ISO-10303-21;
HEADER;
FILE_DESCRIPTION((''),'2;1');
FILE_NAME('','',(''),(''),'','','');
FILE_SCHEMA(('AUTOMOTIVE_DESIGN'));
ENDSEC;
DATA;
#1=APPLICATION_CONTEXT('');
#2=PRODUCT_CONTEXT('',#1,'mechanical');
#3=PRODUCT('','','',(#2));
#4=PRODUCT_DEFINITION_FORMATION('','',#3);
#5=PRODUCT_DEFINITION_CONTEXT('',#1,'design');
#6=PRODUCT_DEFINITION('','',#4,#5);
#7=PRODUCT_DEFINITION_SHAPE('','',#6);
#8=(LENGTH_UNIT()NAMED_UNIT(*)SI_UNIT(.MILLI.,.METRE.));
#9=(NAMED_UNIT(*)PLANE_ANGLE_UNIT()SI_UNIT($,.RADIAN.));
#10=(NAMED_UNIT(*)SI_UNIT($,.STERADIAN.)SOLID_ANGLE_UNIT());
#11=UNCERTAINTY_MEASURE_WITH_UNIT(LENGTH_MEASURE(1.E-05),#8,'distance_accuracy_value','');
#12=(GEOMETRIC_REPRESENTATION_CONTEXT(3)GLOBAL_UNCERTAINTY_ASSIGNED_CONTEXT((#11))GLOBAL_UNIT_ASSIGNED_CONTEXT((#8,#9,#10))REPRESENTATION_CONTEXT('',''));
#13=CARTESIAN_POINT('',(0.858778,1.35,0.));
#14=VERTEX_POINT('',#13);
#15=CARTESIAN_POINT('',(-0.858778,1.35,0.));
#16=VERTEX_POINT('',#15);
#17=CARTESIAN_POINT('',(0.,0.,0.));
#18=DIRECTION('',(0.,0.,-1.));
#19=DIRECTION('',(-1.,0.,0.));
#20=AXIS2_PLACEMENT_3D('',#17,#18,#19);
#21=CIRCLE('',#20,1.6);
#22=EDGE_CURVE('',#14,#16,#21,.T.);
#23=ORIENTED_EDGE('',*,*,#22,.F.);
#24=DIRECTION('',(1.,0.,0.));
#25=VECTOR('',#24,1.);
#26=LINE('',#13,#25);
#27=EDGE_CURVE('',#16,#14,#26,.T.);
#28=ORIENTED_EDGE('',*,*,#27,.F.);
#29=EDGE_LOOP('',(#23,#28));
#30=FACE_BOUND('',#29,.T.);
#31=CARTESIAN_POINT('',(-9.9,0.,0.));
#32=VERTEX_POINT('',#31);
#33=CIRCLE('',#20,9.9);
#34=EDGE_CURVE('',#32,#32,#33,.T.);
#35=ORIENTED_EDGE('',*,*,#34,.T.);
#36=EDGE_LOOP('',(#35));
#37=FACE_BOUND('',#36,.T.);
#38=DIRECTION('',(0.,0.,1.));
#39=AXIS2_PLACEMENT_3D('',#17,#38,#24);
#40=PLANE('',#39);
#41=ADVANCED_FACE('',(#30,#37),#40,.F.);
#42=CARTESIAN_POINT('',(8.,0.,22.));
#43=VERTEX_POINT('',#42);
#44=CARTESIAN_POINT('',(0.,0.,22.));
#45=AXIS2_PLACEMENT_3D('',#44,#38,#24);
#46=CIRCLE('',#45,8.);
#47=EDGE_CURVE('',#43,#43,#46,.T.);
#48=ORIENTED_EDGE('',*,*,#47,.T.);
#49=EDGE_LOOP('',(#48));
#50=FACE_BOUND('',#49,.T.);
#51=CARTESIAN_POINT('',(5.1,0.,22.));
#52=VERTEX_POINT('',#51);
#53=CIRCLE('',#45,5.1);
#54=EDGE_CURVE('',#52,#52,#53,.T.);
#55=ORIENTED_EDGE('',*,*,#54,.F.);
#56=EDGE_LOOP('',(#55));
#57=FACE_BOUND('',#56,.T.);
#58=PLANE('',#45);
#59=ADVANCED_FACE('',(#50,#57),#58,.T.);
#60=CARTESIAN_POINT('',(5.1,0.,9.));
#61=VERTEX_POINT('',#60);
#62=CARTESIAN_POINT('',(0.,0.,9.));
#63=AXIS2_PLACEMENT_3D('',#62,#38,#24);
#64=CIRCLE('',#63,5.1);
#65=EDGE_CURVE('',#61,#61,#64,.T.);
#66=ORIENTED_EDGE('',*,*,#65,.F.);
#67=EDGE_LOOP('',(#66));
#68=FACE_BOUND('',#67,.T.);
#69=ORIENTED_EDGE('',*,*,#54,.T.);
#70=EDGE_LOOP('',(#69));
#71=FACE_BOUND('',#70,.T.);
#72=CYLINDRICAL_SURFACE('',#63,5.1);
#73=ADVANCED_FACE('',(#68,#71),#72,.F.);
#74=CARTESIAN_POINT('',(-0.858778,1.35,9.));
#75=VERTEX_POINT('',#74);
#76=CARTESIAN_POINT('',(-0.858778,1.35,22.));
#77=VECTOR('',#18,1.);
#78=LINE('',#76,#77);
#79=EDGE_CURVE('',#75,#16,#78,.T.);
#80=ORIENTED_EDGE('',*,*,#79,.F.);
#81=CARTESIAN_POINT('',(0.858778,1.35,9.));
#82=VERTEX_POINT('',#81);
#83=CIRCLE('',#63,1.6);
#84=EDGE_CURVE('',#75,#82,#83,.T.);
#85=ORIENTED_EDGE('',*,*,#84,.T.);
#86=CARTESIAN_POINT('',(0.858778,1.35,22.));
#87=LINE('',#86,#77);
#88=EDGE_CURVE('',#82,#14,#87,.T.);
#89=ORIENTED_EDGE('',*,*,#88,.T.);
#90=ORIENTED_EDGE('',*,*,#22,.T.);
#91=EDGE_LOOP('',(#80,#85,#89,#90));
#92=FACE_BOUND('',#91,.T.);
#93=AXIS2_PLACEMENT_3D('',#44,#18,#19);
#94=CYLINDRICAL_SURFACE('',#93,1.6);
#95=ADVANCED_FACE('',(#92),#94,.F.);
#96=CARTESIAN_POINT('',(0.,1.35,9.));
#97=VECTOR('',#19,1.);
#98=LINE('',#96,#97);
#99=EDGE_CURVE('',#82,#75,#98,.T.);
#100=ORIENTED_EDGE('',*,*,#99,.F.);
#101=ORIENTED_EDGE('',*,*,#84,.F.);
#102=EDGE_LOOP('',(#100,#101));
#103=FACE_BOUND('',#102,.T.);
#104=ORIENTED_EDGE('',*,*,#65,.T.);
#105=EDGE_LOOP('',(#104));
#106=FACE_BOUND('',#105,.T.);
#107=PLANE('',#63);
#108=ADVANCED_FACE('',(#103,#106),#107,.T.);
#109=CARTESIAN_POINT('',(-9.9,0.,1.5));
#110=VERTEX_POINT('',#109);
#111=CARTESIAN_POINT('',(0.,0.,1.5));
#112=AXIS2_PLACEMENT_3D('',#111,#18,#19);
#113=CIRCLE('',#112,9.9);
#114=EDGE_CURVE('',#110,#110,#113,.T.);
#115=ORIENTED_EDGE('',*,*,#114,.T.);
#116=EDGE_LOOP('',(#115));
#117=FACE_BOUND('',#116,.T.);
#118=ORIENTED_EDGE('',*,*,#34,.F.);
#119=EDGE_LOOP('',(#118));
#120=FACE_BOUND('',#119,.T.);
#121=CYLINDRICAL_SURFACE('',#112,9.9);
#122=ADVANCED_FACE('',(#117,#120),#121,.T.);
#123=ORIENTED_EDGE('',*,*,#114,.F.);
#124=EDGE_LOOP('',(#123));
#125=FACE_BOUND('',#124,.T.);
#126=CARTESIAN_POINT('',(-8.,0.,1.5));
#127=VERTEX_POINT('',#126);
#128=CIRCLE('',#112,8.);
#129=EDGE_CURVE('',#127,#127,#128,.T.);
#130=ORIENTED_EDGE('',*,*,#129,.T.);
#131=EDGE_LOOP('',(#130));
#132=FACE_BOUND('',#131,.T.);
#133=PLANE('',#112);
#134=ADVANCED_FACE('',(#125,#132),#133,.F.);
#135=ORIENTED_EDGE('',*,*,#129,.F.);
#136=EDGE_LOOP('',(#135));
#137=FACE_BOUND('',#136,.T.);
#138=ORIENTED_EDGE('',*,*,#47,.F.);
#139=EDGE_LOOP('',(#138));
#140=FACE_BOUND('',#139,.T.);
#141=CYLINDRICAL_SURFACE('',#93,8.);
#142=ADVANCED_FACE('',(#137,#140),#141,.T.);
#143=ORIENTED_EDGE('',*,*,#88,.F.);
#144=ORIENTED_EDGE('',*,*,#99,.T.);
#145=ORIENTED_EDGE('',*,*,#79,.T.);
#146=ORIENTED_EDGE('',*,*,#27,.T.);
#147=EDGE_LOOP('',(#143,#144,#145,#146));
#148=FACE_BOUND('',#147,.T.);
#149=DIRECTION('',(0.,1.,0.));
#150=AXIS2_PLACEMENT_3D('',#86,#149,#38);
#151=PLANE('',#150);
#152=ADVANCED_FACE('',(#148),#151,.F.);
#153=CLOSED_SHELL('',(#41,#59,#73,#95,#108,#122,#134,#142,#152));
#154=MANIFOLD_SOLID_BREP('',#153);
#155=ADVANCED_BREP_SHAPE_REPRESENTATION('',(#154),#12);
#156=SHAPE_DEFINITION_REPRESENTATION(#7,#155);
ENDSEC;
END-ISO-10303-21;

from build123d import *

# Parameters (mm, degrees)
SKETCH1_R           = 8
BOSS_EXTRUDE1_DEPTH = 22
SKETCH2_R           = 5.1
CUT_EXTRUDE1_DEPTH  = 13
SKETCH4_R           = 9.9
BOSS_EXTRUDE2_DEPTH = 1.5
CUT_EXTRUDE2_DEPTH  = 23


with BuildPart() as part:
    # Sketch1 → Boss-Extrude1 (new body)
    with BuildSketch(Plane.XY):
        Circle(SKETCH1_R)
    extrude(amount=BOSS_EXTRUDE1_DEPTH)

    # Sketch2 → Cut-Extrude1 (cut)
    with BuildSketch(Plane.XY.offset(22)):
        Circle(SKETCH2_R)
    extrude(amount=-CUT_EXTRUDE1_DEPTH, mode=Mode.SUBTRACT)

    # Sketch4 → Boss-Extrude2 (add)
    with BuildSketch(Plane(origin=(0, 0, 0), x_dir=(-1, 0, 0), z_dir=(0, 0, -1))):
        Circle(SKETCH4_R)
    extrude(amount=-BOSS_EXTRUDE2_DEPTH)

    # Sketch3 → Cut-Extrude2 (cut, through all)
    with BuildSketch(Plane(origin=(0, 0, 0), x_dir=(-1, 0, 0), z_dir=(0, 0, -1))):
        with BuildLine():
            Line((-0.858778202, 1.35), (0.858778202, 1.35))
            ThreePointArc((0.858778202, 1.35), (0, -1.6), (-0.858778202, 1.35))
        make_face()
    extrude(amount=-CUT_EXTRUDE2_DEPTH, mode=Mode.SUBTRACT)


solid = part.part
